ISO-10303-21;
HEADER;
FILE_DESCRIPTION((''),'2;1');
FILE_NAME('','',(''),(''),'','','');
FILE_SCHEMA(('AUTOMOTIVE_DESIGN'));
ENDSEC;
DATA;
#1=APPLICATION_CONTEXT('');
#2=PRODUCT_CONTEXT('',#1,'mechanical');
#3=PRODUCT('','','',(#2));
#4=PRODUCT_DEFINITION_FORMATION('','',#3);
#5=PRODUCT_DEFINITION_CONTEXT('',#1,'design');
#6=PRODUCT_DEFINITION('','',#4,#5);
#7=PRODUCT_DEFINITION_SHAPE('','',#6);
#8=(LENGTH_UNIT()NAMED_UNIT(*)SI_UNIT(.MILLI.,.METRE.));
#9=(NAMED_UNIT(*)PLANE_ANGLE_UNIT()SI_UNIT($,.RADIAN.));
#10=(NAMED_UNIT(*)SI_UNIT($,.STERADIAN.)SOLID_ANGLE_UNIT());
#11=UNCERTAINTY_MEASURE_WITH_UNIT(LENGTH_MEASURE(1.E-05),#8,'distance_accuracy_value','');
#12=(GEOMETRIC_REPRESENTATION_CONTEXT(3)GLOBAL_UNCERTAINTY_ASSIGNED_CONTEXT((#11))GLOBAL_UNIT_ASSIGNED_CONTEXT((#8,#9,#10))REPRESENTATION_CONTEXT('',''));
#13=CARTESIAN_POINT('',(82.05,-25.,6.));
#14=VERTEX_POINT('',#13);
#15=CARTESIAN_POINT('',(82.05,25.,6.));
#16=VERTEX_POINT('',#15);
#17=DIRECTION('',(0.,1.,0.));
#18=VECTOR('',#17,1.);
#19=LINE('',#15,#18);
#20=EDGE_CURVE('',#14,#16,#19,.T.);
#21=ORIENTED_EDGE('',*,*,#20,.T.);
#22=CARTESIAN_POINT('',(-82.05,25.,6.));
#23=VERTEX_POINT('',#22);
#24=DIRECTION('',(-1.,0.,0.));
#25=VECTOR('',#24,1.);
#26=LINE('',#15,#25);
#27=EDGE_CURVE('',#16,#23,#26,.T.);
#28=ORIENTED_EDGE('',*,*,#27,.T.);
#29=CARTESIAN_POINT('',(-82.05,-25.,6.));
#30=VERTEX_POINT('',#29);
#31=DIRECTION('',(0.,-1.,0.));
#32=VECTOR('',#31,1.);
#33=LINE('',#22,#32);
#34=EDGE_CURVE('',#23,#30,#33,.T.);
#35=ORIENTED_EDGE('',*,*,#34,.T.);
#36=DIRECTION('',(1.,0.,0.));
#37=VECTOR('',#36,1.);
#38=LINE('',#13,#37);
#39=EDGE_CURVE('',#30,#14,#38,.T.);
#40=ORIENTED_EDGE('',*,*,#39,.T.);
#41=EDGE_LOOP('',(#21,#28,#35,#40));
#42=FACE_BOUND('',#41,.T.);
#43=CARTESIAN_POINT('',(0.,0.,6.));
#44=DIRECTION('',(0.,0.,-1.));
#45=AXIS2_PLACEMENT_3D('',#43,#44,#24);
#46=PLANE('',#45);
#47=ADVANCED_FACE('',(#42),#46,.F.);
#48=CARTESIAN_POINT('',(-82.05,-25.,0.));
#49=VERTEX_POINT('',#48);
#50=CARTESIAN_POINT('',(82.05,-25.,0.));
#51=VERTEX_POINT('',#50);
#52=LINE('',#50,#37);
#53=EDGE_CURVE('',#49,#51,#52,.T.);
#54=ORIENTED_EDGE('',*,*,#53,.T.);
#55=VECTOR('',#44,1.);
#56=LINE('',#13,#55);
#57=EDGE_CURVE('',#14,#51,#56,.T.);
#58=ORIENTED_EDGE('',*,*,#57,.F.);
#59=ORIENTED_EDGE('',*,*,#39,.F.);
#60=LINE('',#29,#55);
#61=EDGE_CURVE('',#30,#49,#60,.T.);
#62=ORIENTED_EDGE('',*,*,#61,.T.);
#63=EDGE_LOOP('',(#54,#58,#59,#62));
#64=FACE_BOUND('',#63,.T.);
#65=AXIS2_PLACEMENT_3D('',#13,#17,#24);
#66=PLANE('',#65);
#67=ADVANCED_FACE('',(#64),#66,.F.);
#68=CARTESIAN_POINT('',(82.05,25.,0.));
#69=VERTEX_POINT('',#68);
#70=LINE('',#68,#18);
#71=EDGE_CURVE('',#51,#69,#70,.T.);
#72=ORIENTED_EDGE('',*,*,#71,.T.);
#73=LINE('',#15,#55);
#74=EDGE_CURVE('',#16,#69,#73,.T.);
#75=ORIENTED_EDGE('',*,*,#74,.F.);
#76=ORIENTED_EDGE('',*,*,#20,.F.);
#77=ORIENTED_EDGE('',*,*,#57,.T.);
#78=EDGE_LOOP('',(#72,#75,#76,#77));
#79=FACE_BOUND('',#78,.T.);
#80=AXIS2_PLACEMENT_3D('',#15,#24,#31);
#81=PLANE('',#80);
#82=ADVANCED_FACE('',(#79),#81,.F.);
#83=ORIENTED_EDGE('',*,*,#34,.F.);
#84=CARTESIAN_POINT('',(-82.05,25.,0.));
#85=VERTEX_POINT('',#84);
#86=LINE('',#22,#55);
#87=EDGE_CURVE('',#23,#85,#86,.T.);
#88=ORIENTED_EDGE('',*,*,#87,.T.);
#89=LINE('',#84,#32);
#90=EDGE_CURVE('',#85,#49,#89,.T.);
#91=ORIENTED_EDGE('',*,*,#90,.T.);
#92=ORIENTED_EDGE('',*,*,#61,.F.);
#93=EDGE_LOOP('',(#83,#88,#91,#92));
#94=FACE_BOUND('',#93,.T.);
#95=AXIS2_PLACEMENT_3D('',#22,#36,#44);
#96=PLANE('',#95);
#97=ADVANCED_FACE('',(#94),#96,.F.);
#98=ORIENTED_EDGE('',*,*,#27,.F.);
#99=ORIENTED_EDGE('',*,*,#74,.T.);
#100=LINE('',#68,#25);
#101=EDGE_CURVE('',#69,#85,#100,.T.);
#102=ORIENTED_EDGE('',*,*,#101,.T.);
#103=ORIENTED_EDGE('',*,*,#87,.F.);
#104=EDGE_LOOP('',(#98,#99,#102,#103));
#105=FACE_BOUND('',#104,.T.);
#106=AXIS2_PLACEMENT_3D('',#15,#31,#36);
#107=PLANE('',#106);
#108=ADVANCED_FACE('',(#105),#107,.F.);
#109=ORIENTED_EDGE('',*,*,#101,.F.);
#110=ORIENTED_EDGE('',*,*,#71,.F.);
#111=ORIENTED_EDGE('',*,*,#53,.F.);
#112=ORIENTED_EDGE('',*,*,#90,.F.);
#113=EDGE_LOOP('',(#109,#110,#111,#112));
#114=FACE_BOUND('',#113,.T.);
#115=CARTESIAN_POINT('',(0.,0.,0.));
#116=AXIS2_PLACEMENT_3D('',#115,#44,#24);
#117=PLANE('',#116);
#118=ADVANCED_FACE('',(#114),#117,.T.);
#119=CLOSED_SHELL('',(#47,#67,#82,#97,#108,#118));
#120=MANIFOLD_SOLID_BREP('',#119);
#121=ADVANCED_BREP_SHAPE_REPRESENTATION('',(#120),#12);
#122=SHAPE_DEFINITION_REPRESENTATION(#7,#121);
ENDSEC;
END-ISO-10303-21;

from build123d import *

# Parameters (mm, degrees)
SKETCH_1_W      = 164.1
SKETCH_1_H      = 50
EXTRUDE_1_DEPTH = 6


with BuildPart() as part:
    # Эскиз1 → Бобышка-Вытянуть1 (new body)
    with BuildSketch(Plane.XY):
        Rectangle(SKETCH_1_W, SKETCH_1_H)
    extrude(amount=EXTRUDE_1_DEPTH)


solid = part.part
